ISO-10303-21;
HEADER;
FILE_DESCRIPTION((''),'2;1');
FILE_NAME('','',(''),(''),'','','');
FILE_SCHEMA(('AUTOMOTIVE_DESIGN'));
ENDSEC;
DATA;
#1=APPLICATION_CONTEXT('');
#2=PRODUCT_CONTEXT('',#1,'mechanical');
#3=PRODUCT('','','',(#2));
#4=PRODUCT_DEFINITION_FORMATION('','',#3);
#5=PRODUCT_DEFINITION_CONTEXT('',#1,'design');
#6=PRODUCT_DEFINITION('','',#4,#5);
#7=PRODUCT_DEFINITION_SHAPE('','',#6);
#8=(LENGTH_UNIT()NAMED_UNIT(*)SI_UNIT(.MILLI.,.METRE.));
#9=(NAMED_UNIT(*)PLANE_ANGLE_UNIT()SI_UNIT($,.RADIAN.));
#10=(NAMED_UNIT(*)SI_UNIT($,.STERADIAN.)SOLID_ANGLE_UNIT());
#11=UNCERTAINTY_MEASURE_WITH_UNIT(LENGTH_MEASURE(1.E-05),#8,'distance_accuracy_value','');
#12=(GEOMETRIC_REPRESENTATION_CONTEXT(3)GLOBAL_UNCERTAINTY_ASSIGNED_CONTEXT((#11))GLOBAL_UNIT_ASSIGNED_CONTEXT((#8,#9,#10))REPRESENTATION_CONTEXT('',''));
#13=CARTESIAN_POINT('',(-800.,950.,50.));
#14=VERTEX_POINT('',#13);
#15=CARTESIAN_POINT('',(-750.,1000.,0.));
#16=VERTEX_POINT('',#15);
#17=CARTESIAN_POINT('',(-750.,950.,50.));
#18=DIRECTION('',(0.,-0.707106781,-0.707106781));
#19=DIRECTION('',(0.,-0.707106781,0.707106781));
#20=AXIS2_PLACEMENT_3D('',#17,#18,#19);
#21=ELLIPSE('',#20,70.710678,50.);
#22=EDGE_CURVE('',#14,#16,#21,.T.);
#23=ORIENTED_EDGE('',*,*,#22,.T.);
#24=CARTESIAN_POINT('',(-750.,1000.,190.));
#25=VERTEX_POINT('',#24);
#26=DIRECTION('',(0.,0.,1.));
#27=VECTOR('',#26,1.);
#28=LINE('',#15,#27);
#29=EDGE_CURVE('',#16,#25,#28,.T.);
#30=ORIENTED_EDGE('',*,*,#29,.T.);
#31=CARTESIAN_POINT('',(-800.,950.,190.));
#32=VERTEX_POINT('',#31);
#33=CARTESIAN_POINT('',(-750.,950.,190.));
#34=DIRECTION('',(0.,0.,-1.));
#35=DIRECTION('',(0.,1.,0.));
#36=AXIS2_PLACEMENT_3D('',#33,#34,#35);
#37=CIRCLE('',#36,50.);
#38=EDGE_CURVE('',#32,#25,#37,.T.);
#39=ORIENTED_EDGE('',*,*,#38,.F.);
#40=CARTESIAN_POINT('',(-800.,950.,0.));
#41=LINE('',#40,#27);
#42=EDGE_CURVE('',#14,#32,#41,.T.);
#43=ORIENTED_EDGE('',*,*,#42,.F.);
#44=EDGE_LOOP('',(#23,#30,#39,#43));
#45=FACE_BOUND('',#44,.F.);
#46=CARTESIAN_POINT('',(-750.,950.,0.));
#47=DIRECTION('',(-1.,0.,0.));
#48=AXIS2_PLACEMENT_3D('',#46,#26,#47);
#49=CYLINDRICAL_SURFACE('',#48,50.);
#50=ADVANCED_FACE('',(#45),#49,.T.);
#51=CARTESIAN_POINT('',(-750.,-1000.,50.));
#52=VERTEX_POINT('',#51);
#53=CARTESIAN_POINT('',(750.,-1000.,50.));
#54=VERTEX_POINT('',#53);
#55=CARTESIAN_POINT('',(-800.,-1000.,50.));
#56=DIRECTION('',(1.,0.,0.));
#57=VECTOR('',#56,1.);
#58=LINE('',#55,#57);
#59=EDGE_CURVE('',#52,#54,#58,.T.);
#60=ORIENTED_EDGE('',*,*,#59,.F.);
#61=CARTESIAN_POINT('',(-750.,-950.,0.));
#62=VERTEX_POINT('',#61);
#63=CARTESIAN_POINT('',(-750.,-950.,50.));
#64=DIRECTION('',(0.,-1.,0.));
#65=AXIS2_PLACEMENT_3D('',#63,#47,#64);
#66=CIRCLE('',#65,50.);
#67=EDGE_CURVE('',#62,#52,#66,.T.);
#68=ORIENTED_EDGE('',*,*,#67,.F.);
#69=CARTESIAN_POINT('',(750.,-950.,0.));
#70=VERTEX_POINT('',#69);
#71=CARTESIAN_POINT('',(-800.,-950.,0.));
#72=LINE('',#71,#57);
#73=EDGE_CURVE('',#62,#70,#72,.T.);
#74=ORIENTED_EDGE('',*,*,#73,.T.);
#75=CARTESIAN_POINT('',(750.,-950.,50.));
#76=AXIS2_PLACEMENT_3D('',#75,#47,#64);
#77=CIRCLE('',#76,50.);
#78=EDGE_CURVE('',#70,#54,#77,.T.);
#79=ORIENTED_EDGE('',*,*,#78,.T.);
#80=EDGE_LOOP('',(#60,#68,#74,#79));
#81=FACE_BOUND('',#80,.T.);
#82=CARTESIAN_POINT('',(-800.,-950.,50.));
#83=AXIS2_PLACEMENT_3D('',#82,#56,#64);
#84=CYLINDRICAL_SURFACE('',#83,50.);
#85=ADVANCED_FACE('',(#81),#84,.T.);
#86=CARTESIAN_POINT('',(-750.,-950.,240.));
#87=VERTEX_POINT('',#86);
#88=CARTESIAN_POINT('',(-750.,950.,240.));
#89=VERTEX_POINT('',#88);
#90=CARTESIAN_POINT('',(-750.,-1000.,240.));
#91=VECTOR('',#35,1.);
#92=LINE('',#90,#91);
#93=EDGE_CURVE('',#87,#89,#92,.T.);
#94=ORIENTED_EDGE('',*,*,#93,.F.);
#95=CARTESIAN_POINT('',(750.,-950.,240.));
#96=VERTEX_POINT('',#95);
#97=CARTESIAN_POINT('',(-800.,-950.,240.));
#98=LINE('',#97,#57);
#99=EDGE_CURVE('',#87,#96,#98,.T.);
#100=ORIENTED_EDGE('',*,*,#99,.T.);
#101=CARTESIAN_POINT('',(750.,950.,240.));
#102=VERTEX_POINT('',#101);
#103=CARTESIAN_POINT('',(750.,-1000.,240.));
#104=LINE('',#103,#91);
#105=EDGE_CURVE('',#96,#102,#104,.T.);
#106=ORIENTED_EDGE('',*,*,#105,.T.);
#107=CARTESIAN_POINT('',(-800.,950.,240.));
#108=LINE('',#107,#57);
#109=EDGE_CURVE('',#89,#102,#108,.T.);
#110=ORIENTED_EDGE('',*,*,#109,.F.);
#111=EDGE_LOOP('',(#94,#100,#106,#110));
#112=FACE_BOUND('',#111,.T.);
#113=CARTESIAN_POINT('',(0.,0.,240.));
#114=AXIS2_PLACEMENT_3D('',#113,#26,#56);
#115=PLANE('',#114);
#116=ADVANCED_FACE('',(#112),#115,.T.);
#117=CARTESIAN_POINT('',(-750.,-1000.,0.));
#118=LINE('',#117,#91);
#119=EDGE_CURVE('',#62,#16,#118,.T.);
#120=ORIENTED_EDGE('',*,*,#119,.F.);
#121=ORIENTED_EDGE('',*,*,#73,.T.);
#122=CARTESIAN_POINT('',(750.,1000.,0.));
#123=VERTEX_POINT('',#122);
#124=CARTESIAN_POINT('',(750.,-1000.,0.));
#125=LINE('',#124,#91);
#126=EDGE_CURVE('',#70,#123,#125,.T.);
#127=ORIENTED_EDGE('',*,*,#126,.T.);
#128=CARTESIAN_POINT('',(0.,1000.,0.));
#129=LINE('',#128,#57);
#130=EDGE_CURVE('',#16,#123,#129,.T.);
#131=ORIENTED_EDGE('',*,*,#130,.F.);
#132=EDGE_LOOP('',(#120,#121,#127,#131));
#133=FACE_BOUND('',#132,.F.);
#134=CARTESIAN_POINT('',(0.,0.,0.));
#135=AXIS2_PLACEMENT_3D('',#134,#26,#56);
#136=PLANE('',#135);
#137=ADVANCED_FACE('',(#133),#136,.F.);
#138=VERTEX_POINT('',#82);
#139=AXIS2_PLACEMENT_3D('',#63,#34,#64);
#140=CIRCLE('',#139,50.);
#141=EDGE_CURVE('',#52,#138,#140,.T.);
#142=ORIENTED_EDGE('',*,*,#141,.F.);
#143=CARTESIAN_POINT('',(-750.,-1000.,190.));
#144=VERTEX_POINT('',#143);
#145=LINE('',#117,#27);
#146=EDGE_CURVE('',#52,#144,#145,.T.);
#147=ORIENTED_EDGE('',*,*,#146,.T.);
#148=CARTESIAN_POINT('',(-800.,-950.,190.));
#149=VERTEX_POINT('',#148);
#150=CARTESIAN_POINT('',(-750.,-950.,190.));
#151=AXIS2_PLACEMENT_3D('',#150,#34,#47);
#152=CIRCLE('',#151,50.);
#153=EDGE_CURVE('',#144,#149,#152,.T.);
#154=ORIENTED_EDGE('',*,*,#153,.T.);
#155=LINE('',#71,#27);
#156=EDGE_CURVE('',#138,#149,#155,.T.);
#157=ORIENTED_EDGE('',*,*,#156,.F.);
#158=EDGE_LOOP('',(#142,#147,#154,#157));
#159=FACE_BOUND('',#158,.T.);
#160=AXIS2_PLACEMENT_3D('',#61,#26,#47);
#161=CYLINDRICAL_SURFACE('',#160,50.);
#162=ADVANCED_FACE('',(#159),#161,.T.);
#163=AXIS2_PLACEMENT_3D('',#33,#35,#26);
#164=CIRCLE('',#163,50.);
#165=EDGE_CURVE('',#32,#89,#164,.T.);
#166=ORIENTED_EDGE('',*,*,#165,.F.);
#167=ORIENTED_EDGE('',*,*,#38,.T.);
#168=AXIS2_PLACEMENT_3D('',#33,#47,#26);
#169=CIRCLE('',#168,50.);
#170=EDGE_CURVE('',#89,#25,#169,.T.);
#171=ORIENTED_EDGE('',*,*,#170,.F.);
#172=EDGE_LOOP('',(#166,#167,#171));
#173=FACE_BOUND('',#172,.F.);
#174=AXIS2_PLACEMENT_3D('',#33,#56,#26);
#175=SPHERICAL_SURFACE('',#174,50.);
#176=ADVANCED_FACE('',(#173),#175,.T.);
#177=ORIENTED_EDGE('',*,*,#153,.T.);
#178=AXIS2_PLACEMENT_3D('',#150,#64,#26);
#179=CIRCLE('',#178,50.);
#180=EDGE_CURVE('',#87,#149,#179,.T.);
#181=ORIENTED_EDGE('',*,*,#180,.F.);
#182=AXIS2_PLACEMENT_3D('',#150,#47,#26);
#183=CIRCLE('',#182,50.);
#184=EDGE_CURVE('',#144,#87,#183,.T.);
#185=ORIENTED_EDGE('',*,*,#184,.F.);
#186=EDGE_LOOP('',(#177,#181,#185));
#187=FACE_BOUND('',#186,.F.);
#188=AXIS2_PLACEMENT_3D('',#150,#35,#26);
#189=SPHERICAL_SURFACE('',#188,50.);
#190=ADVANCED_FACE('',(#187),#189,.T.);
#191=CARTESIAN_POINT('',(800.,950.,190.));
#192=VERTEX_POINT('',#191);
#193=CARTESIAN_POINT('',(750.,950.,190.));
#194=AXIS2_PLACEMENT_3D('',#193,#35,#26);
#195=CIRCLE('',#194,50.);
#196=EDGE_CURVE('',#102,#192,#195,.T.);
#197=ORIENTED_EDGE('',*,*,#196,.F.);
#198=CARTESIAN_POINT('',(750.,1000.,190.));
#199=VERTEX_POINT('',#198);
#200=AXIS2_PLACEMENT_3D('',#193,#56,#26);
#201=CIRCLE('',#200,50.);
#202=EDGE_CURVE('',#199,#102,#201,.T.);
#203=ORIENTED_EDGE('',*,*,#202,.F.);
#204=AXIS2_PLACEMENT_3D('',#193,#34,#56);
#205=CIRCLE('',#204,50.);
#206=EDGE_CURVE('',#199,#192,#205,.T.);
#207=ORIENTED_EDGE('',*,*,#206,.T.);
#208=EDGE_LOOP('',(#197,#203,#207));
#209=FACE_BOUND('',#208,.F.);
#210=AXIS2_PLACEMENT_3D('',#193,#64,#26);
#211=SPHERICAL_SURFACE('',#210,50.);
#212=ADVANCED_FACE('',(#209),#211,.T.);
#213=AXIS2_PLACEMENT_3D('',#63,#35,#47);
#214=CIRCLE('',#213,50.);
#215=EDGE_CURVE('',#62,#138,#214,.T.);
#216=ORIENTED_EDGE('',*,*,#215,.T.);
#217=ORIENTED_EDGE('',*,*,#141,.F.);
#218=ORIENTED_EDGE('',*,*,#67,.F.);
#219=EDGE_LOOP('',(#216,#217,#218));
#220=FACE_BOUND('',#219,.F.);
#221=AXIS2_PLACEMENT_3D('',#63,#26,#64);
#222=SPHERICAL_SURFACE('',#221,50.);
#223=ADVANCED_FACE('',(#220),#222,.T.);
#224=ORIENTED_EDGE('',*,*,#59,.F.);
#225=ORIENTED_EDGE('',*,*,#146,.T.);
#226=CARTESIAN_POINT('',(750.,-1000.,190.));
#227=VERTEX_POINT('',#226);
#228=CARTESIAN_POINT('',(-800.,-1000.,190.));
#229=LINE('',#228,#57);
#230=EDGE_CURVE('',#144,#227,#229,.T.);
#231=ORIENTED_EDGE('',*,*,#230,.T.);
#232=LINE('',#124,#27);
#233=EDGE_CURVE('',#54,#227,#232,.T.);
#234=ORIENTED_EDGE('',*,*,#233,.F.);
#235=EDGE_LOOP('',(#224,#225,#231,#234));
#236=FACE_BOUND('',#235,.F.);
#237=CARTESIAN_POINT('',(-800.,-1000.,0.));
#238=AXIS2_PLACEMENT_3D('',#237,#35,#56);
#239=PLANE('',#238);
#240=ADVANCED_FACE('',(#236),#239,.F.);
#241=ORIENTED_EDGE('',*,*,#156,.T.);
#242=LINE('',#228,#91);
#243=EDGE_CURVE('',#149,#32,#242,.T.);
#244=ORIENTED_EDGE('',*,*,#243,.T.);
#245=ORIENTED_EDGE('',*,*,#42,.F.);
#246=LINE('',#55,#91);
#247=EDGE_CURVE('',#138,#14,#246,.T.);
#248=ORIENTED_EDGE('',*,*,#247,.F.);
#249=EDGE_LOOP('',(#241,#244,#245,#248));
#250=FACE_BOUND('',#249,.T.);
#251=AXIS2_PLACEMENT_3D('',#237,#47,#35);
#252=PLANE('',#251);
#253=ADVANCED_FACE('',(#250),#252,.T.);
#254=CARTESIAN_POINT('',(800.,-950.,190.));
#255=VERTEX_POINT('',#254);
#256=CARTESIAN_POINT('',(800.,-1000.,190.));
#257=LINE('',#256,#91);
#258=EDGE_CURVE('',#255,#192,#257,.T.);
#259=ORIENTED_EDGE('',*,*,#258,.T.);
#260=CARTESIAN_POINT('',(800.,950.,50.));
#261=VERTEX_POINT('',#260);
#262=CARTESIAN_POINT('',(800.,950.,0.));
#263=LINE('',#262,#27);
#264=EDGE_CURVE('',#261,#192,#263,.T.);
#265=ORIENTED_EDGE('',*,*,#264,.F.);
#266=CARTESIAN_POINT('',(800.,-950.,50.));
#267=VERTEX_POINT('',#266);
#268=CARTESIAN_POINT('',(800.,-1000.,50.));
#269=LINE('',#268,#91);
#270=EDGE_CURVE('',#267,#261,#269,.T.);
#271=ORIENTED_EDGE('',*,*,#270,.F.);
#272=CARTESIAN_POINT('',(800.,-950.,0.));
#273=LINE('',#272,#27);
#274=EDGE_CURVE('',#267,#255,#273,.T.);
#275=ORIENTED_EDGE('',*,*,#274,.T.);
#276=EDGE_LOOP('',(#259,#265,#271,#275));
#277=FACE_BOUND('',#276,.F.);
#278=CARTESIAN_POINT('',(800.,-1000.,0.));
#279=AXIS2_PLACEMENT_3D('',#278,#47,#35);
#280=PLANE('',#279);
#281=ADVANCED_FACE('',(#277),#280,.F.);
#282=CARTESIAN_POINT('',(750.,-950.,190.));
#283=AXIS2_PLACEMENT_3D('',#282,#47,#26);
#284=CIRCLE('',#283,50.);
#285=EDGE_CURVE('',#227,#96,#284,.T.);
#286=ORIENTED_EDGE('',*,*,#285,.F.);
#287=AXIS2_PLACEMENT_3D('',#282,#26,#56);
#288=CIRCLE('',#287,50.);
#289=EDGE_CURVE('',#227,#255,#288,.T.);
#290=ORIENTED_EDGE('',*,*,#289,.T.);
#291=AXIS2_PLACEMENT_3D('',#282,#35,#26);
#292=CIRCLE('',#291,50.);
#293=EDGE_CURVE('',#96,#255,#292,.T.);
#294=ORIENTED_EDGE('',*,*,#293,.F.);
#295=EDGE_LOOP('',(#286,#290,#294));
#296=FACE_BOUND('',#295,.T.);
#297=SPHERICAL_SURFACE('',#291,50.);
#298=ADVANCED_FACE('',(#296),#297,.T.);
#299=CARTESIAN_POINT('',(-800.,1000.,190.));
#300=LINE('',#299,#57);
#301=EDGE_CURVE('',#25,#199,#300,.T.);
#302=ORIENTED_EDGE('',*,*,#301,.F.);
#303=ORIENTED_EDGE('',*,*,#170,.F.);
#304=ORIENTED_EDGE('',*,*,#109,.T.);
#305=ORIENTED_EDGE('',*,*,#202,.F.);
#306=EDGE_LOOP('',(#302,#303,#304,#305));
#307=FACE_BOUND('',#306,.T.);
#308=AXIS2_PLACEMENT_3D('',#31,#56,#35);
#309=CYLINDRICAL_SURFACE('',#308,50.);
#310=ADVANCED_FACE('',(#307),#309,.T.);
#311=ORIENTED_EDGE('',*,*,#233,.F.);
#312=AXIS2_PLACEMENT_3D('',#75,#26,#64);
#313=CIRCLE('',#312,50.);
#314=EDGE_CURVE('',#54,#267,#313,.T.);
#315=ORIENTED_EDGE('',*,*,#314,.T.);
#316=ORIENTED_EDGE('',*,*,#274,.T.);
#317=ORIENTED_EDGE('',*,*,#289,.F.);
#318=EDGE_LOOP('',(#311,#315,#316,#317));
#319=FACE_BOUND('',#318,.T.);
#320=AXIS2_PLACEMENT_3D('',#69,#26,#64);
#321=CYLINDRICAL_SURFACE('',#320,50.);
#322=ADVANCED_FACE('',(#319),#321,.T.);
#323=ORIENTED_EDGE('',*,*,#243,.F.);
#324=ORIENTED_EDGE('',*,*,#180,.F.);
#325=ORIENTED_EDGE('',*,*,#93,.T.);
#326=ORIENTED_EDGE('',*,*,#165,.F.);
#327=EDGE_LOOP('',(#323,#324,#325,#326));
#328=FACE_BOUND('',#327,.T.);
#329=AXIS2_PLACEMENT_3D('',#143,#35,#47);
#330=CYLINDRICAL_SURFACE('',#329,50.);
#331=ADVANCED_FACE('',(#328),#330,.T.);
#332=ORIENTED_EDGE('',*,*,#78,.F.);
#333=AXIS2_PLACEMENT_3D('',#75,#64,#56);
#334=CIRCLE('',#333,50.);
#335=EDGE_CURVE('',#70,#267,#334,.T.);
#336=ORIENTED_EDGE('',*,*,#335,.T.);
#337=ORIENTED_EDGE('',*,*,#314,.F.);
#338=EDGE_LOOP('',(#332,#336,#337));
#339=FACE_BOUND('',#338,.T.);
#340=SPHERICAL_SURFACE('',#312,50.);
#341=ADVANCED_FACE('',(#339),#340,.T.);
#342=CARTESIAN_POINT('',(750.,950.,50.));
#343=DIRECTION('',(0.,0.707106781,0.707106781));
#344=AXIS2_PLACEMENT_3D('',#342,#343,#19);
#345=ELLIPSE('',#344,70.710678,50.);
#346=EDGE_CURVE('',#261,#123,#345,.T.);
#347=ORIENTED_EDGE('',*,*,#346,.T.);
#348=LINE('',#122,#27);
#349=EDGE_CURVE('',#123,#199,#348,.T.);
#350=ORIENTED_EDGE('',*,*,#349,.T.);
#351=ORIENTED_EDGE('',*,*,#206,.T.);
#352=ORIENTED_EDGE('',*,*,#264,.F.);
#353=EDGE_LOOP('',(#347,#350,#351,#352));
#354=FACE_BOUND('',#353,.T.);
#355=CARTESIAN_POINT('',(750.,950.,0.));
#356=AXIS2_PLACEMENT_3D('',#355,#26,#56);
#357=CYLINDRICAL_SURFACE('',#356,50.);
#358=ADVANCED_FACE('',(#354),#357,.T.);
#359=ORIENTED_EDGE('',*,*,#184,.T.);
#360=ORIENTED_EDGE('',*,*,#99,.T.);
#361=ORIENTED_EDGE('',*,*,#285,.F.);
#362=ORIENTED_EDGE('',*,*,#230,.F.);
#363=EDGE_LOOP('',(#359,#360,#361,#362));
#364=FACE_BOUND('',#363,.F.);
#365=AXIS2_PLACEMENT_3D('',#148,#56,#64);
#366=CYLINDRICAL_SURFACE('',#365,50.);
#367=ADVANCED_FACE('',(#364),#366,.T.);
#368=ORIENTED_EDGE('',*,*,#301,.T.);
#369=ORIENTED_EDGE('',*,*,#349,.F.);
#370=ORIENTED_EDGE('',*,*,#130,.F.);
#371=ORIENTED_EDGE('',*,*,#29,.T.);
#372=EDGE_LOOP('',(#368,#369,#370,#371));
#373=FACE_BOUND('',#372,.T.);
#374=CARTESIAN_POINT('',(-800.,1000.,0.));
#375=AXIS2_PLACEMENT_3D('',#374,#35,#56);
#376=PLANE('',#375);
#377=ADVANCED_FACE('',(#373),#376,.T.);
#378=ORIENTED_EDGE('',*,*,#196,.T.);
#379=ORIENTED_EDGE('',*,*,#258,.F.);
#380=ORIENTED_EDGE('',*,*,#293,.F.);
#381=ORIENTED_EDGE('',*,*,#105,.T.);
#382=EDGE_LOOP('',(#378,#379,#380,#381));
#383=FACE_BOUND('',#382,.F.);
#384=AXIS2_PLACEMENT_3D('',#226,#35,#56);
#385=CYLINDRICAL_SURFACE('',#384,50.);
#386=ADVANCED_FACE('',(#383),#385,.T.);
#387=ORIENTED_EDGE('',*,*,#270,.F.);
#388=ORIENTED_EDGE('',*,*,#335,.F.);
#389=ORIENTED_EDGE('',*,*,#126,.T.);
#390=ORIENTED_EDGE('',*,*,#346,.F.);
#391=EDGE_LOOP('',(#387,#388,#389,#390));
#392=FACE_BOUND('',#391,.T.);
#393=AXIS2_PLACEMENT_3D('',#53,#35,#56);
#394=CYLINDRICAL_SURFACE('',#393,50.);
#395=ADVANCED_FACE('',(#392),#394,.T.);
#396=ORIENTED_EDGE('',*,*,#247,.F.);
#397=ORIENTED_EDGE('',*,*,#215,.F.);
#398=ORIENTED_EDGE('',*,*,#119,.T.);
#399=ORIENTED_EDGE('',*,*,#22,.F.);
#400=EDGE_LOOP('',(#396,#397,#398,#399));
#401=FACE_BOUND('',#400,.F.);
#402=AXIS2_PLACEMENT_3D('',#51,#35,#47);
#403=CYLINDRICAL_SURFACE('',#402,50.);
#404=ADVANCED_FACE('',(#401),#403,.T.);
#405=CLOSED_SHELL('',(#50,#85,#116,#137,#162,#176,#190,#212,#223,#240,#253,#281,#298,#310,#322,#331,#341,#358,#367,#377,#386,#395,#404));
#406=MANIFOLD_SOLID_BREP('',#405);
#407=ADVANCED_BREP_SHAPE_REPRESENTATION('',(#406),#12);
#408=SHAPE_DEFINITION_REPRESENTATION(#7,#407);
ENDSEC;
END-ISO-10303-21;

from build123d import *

# Parameters (mm, degrees)
F0_W     = 1600
F0_H     = 2000
F1_DEPTH = 240
F2_R     = 50


with BuildPart() as f1:
    # F0 (on Top) → F1 (new body)
    with BuildSketch(Plane.XY):
        Rectangle(F0_W, F0_H)
    extrude(amount=F1_DEPTH)

    # F2
    f2_edges = [f1.edges().sort_by_distance(p)[0] for p in [
        (800, 0, 240),
        (0, 1000, 240),
        (-800, 0, 240),
        (0, -1000, 240),
        (800, -1000, 120),
        (800, 1000, 120),
        (-800, -1000, 120),
        (-800, 1000, 120),
        (0, -1000, 0),
        (-800, 0, 0),
        (800, 0, 0),
    ]]
    fillet(f2_edges, radius=F2_R)


solid = f1.part
